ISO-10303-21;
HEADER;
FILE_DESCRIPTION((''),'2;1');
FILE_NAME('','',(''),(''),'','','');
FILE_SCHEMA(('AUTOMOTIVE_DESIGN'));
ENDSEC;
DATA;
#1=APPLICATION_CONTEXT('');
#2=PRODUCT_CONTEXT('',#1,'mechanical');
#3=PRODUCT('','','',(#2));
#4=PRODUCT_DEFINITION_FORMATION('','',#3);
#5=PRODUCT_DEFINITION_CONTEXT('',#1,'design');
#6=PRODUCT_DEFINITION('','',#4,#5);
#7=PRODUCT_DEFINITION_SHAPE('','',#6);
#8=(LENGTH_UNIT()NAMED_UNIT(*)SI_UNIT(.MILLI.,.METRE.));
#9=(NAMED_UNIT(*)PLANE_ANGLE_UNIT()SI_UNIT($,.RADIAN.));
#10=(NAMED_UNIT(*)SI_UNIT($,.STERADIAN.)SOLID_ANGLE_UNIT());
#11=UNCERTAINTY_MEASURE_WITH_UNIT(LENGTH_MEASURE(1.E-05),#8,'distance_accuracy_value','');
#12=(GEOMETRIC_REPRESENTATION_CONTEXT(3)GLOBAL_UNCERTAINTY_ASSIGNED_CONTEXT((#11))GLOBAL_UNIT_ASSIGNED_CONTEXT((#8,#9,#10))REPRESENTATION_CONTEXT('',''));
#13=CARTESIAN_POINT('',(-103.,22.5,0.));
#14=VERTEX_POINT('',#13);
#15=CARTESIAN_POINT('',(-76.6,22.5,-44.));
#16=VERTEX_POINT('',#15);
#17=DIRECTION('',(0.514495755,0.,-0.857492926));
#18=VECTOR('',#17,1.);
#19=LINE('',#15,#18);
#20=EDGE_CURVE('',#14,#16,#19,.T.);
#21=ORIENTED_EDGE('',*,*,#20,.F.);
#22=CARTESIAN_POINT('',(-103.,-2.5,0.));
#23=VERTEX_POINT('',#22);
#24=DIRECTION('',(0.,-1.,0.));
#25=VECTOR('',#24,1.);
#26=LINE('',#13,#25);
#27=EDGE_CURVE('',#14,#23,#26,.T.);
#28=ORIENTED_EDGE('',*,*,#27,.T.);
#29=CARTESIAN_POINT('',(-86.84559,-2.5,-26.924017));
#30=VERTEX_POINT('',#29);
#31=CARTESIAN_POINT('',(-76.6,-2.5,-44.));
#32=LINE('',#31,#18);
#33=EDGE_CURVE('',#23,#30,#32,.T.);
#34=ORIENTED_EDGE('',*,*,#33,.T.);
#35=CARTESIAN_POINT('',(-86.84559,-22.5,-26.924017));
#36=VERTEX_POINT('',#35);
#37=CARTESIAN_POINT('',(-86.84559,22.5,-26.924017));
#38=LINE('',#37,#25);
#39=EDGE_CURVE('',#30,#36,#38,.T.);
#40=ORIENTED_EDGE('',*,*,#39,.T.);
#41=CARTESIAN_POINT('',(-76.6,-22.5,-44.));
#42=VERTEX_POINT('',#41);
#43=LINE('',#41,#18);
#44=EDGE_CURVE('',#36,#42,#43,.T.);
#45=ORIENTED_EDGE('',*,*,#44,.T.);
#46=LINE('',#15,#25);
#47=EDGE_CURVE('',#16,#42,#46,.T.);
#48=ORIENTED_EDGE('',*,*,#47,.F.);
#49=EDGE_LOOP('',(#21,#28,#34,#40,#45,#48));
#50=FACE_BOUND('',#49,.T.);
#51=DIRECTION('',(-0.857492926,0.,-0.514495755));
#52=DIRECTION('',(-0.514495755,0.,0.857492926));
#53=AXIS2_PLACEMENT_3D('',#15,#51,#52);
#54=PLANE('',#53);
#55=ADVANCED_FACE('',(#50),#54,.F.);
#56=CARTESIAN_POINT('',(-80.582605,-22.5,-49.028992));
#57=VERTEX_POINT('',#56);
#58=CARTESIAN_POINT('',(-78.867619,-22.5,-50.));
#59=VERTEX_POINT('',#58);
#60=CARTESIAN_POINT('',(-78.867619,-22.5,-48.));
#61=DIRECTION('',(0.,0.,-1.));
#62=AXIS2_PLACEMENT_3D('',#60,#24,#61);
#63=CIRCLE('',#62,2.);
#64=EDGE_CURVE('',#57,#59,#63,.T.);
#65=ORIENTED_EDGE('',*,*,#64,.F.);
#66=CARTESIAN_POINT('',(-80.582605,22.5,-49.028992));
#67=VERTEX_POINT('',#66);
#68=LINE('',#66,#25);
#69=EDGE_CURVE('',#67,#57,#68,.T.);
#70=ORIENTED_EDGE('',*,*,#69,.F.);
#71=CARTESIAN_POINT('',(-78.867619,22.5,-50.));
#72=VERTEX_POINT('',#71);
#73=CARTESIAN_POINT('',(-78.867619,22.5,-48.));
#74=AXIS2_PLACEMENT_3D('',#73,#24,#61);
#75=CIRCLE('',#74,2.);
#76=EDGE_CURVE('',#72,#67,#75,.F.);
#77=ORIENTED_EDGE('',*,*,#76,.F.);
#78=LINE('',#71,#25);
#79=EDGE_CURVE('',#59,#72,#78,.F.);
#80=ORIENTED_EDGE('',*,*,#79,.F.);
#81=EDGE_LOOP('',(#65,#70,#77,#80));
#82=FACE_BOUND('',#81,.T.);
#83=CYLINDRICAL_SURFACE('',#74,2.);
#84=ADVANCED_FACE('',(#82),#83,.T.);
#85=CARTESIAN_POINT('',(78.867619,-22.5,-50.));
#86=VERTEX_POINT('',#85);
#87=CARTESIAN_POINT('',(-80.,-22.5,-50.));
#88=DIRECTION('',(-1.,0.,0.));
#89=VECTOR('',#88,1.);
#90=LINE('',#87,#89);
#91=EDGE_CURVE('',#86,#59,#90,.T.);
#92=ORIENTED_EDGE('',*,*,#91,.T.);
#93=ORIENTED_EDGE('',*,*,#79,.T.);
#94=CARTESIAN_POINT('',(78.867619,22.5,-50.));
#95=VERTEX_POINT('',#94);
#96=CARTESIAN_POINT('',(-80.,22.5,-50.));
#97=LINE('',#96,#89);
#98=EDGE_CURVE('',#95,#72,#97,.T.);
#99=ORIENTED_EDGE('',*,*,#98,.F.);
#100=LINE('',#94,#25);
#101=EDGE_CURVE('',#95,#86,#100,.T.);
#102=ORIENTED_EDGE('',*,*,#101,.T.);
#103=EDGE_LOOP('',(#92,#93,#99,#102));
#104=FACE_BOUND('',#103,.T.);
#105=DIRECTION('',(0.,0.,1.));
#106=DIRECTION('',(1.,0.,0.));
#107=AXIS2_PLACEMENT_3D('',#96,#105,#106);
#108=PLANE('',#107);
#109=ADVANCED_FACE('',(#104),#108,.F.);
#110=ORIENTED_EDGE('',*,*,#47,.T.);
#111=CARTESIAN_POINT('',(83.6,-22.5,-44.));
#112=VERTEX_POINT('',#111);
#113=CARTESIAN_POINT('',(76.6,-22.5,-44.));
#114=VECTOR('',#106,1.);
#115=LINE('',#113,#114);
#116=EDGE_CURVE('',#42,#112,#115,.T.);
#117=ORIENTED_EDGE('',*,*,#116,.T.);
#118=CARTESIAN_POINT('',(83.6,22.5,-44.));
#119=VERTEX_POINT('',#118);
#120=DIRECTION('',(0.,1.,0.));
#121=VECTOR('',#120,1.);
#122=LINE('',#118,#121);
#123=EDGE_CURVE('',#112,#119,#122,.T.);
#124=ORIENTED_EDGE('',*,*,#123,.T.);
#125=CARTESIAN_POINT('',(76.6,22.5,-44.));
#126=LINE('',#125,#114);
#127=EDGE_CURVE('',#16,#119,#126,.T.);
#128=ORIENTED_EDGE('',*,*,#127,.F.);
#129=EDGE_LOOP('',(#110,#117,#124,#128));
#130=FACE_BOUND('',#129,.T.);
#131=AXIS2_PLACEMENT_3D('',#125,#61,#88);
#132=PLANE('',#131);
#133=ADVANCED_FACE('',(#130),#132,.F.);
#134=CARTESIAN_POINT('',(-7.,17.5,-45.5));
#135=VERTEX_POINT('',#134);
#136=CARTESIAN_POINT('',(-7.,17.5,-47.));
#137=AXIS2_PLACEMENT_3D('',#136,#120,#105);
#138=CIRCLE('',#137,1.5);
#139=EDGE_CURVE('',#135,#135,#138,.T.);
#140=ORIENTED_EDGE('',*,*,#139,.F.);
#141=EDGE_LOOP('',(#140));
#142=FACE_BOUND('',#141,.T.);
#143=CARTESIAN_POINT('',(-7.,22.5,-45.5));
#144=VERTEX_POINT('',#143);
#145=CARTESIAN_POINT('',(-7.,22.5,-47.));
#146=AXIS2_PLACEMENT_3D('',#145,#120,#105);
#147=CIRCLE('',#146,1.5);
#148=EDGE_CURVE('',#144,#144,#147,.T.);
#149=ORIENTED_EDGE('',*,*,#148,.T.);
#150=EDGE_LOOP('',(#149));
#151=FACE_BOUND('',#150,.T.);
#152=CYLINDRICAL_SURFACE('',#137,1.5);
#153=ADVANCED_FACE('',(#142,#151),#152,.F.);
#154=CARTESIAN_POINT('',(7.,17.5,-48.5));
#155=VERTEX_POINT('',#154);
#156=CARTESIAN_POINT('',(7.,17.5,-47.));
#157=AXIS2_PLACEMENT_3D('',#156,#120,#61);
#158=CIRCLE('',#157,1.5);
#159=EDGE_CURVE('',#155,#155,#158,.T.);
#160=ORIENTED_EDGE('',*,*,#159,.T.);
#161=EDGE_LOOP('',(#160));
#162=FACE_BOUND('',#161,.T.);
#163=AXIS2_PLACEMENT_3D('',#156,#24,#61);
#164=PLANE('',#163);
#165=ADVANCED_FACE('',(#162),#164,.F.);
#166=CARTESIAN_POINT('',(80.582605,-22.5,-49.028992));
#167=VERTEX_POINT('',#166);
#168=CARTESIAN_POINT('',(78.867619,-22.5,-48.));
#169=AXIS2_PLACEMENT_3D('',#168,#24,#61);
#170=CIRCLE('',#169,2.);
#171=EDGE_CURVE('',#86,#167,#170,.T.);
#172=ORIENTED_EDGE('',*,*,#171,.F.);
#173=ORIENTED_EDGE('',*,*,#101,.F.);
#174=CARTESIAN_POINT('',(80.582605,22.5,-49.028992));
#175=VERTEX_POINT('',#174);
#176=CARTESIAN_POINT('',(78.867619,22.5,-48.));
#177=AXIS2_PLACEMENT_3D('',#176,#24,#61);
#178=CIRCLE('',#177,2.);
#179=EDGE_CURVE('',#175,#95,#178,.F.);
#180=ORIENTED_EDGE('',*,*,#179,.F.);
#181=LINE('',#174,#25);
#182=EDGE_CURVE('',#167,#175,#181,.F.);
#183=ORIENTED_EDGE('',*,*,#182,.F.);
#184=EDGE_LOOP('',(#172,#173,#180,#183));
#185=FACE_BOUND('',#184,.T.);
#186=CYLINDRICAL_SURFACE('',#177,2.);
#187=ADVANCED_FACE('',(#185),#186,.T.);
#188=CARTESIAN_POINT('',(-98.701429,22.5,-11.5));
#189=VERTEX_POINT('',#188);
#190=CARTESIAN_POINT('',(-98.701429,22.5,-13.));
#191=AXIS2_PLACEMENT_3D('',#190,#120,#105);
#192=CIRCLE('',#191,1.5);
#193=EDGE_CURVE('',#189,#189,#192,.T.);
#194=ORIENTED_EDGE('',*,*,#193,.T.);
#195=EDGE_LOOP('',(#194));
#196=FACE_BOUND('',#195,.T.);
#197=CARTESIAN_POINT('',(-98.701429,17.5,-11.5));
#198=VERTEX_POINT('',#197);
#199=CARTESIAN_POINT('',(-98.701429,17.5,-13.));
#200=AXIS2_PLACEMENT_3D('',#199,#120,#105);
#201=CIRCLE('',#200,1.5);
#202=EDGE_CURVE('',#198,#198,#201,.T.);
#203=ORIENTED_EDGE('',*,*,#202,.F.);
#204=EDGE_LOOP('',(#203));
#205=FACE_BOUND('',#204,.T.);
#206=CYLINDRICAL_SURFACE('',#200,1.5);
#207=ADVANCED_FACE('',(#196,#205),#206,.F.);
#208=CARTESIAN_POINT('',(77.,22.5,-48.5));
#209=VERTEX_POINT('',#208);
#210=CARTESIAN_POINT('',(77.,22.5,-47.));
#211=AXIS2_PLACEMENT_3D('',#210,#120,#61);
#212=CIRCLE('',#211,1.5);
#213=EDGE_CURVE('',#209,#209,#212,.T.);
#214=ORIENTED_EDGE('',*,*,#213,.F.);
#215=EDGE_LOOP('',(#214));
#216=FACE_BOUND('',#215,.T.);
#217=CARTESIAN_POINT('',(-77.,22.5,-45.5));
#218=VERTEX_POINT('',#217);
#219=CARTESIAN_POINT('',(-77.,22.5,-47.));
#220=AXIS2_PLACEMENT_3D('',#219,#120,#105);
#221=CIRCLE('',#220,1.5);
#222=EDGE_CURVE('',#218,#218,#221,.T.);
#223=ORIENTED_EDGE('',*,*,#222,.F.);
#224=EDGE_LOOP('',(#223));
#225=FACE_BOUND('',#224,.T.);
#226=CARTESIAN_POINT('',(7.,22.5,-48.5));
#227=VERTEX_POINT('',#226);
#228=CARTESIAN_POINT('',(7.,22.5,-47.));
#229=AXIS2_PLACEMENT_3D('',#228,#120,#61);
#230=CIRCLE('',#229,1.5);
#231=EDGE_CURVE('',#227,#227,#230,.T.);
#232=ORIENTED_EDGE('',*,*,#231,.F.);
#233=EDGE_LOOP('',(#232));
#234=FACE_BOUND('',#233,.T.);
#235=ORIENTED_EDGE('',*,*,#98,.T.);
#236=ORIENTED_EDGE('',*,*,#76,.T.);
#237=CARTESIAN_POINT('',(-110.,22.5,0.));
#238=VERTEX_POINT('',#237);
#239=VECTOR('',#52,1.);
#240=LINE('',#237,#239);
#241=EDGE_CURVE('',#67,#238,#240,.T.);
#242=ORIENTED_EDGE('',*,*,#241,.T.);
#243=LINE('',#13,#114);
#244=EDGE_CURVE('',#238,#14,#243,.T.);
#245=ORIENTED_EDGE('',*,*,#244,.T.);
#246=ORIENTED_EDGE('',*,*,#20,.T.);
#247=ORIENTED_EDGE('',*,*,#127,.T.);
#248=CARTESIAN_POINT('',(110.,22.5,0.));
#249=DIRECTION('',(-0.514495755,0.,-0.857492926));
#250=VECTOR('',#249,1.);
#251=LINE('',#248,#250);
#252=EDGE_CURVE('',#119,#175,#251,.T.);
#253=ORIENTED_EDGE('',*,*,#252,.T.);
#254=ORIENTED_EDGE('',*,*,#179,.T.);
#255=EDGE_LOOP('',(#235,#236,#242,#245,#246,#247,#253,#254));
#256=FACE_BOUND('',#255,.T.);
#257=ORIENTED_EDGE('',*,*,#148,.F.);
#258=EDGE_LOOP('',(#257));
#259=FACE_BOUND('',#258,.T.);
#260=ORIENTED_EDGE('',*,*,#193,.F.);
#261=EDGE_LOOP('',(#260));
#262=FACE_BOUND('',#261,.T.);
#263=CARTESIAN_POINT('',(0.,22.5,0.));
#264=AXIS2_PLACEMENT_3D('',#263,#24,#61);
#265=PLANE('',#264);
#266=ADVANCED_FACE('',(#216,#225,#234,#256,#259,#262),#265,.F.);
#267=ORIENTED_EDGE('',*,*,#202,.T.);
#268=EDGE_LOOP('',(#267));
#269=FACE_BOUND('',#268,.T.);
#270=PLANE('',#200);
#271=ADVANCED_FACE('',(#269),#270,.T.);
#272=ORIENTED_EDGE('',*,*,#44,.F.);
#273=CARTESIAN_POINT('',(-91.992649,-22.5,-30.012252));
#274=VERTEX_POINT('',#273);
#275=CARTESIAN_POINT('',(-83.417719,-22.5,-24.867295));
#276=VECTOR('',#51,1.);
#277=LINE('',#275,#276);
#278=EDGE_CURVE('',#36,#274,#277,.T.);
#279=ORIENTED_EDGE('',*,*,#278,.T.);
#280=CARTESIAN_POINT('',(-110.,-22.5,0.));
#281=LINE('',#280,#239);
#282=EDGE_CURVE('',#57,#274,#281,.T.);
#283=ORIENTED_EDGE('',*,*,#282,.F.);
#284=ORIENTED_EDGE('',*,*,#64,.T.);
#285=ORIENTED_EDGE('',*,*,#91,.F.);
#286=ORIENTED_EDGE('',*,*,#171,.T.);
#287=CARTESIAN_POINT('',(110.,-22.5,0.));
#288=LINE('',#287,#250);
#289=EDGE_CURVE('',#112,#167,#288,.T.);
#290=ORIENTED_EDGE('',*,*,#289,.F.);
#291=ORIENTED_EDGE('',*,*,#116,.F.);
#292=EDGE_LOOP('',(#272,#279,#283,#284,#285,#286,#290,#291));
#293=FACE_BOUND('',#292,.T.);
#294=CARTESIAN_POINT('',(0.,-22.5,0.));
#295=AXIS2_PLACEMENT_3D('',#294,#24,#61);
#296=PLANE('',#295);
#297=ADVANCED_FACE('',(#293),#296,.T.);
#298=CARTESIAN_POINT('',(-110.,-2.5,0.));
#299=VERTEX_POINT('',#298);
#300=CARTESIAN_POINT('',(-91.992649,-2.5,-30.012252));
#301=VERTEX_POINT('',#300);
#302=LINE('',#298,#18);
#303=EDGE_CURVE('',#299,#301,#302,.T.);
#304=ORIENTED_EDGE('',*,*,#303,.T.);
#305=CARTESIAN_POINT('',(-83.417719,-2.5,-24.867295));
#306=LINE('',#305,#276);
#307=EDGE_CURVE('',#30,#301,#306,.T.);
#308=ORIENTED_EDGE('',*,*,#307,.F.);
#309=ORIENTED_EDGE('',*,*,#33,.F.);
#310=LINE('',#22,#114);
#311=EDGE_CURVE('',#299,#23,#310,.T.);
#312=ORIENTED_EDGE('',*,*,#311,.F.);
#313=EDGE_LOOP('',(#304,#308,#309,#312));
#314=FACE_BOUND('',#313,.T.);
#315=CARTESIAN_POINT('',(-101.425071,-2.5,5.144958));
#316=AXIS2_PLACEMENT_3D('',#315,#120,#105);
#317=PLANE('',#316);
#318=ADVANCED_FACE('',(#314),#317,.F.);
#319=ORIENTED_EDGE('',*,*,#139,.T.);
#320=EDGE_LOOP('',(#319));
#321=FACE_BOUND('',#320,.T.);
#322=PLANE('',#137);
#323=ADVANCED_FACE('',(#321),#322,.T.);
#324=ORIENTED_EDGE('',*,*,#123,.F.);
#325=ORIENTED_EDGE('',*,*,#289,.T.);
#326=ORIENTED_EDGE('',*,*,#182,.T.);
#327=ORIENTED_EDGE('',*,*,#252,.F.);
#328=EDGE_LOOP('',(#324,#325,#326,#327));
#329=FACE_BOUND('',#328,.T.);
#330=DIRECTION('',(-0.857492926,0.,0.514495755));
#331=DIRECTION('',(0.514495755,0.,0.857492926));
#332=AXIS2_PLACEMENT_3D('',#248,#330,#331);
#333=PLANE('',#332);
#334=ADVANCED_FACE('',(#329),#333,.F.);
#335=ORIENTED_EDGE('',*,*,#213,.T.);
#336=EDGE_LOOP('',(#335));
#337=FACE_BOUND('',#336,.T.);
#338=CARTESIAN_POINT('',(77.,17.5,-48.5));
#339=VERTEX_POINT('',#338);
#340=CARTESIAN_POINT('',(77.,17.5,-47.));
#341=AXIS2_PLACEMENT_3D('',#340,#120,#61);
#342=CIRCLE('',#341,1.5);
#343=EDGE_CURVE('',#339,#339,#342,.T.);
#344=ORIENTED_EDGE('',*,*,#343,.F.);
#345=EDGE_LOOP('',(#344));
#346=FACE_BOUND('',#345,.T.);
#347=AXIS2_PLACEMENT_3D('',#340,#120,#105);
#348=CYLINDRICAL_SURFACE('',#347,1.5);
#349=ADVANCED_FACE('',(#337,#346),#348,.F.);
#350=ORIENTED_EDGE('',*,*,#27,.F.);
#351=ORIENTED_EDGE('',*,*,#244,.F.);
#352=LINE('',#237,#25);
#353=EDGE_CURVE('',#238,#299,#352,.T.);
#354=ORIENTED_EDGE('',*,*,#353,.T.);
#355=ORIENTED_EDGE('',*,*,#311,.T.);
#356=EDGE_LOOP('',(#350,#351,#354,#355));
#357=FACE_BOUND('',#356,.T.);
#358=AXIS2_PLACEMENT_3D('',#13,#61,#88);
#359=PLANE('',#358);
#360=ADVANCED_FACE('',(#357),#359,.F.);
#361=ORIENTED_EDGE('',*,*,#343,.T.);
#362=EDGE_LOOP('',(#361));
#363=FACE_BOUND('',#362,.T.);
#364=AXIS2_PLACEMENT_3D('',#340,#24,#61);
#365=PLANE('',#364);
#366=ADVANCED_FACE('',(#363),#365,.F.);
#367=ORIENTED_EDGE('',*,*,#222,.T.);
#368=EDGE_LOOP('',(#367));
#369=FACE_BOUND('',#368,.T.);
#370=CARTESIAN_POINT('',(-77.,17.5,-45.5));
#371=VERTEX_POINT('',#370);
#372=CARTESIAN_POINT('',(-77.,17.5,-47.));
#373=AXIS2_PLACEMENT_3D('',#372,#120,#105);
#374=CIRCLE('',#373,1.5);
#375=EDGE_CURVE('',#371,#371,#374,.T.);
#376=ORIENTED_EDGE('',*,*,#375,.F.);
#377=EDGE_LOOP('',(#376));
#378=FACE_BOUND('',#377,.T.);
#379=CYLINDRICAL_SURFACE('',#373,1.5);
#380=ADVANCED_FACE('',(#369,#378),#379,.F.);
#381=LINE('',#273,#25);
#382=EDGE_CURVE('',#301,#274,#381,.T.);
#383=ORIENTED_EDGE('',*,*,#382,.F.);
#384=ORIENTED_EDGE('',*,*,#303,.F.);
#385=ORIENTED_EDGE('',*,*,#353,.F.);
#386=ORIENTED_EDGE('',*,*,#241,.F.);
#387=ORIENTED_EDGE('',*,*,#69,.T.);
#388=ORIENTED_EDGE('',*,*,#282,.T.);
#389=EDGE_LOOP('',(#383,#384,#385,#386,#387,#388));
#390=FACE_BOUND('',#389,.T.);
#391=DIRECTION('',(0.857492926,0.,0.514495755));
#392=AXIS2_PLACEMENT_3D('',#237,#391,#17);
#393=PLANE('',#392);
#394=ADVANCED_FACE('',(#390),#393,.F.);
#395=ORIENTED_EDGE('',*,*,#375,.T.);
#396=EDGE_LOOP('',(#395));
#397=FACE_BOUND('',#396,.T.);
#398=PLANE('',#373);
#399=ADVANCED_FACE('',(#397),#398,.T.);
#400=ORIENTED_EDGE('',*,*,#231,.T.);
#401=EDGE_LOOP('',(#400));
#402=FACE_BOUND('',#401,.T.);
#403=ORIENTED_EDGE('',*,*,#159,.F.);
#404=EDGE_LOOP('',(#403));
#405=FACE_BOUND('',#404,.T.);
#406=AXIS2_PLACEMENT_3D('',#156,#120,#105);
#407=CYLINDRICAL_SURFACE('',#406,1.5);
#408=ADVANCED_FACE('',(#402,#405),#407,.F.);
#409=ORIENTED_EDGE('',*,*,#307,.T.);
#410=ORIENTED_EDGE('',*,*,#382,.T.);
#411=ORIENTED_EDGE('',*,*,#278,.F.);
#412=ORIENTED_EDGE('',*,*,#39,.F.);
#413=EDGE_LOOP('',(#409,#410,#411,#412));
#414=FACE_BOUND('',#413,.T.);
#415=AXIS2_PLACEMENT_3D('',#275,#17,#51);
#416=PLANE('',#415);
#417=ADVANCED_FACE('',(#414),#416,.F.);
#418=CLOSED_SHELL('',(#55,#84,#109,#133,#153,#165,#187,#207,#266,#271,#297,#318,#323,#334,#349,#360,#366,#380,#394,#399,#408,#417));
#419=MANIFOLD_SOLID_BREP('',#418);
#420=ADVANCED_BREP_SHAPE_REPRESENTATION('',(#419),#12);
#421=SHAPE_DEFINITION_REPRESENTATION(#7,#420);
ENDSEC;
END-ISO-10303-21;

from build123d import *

# Parameters (mm, degrees)
BOSS_EXTRUDE1_DEPTH = 22.5
SKETCH2_R           = 1.5
CUT_EXTRUDE1_DEPTH  = 5
FILLET1_R           = 2
SKETCH3_W           = 35
SKETCH3_H           = 20
CUT_EXTRUDE2_DEPTH  = 10
SKETCH6_W           = 44
SKETCH6_H           = 45
CUT_EXTRUDE3_DEPTH  = 123.907485533


with BuildPart() as part:
    # Sketch1 → Boss-Extrude1 (new, symmetric)
    with BuildSketch(Plane(origin=(0, 0, 0), x_dir=(1, 0, 0), z_dir=(0, 1, 0))):
        Polygon((-110, 0), (-80, 50), (80, 50), (110, 0), (103, 0), (76.6, 44), (-76.6, 44), (-103, 0), align=None)
    extrude(amount=BOSS_EXTRUDE1_DEPTH, both=True)

    # Sketch2 → Cut-Extrude1 (cut)
    with BuildSketch(Plane(origin=(0, 22.5, 0), x_dir=(1, 0, 0), z_dir=(0, 1, 0))):
        with Locations(Location((-98.701428863, 13, 0), (0, 0, 270))):
            Circle(SKETCH2_R)
        with Locations(Location((-77, 47, 0), (0, 0, 270))):
            Circle(SKETCH2_R)
        with Locations(Location((-7, 47, 0), (0, 0, 270))):
            Circle(SKETCH2_R)
        with Locations(Location((7, 47, 0), (0, 0, 90))):
            Circle(SKETCH2_R)
        with Locations(Location((77, 47, 0), (0, 0, 90))):
            Circle(SKETCH2_R)
        with Locations(Location((98.701428863, 13, 0), (0, 0, 90))):
            Circle(SKETCH2_R)
    extrude(amount=-CUT_EXTRUDE1_DEPTH, mode=Mode.SUBTRACT)

    # Fillet1
    fillet1_edges = [part.edges().sort_by_distance(p)[0] for p in [
        (-80, 0, -50),
        (80, 0, -50),
    ]]
    fillet(fillet1_edges, radius=FILLET1_R)

    # Sketch3 → Cut-Extrude2 (cut)
    with BuildSketch(Plane(origin=(-80.882352941, 0, -48.529411765), x_dir=(-0.5144957554275265, 0, 0.8574929257125443), z_dir=(-0.8574929257125443, 0, -0.5144957554275265))):
        with Locations((39.094533097, -12.5)):
            Rectangle(SKETCH3_W, SKETCH3_H)
    extrude(amount=-CUT_EXTRUDE2_DEPTH, mode=Mode.SUBTRACT)

    # Sketch6 → Cut-Extrude3 (cut, through all)
    with BuildSketch(Plane(origin=(0, 0, 0), x_dir=(0, 0, -1), z_dir=(1, 0, 0))):
        with Locations((22, 0)):
            Rectangle(SKETCH6_W, SKETCH6_H)
    extrude(amount=CUT_EXTRUDE3_DEPTH, mode=Mode.SUBTRACT)


solid = part.part
